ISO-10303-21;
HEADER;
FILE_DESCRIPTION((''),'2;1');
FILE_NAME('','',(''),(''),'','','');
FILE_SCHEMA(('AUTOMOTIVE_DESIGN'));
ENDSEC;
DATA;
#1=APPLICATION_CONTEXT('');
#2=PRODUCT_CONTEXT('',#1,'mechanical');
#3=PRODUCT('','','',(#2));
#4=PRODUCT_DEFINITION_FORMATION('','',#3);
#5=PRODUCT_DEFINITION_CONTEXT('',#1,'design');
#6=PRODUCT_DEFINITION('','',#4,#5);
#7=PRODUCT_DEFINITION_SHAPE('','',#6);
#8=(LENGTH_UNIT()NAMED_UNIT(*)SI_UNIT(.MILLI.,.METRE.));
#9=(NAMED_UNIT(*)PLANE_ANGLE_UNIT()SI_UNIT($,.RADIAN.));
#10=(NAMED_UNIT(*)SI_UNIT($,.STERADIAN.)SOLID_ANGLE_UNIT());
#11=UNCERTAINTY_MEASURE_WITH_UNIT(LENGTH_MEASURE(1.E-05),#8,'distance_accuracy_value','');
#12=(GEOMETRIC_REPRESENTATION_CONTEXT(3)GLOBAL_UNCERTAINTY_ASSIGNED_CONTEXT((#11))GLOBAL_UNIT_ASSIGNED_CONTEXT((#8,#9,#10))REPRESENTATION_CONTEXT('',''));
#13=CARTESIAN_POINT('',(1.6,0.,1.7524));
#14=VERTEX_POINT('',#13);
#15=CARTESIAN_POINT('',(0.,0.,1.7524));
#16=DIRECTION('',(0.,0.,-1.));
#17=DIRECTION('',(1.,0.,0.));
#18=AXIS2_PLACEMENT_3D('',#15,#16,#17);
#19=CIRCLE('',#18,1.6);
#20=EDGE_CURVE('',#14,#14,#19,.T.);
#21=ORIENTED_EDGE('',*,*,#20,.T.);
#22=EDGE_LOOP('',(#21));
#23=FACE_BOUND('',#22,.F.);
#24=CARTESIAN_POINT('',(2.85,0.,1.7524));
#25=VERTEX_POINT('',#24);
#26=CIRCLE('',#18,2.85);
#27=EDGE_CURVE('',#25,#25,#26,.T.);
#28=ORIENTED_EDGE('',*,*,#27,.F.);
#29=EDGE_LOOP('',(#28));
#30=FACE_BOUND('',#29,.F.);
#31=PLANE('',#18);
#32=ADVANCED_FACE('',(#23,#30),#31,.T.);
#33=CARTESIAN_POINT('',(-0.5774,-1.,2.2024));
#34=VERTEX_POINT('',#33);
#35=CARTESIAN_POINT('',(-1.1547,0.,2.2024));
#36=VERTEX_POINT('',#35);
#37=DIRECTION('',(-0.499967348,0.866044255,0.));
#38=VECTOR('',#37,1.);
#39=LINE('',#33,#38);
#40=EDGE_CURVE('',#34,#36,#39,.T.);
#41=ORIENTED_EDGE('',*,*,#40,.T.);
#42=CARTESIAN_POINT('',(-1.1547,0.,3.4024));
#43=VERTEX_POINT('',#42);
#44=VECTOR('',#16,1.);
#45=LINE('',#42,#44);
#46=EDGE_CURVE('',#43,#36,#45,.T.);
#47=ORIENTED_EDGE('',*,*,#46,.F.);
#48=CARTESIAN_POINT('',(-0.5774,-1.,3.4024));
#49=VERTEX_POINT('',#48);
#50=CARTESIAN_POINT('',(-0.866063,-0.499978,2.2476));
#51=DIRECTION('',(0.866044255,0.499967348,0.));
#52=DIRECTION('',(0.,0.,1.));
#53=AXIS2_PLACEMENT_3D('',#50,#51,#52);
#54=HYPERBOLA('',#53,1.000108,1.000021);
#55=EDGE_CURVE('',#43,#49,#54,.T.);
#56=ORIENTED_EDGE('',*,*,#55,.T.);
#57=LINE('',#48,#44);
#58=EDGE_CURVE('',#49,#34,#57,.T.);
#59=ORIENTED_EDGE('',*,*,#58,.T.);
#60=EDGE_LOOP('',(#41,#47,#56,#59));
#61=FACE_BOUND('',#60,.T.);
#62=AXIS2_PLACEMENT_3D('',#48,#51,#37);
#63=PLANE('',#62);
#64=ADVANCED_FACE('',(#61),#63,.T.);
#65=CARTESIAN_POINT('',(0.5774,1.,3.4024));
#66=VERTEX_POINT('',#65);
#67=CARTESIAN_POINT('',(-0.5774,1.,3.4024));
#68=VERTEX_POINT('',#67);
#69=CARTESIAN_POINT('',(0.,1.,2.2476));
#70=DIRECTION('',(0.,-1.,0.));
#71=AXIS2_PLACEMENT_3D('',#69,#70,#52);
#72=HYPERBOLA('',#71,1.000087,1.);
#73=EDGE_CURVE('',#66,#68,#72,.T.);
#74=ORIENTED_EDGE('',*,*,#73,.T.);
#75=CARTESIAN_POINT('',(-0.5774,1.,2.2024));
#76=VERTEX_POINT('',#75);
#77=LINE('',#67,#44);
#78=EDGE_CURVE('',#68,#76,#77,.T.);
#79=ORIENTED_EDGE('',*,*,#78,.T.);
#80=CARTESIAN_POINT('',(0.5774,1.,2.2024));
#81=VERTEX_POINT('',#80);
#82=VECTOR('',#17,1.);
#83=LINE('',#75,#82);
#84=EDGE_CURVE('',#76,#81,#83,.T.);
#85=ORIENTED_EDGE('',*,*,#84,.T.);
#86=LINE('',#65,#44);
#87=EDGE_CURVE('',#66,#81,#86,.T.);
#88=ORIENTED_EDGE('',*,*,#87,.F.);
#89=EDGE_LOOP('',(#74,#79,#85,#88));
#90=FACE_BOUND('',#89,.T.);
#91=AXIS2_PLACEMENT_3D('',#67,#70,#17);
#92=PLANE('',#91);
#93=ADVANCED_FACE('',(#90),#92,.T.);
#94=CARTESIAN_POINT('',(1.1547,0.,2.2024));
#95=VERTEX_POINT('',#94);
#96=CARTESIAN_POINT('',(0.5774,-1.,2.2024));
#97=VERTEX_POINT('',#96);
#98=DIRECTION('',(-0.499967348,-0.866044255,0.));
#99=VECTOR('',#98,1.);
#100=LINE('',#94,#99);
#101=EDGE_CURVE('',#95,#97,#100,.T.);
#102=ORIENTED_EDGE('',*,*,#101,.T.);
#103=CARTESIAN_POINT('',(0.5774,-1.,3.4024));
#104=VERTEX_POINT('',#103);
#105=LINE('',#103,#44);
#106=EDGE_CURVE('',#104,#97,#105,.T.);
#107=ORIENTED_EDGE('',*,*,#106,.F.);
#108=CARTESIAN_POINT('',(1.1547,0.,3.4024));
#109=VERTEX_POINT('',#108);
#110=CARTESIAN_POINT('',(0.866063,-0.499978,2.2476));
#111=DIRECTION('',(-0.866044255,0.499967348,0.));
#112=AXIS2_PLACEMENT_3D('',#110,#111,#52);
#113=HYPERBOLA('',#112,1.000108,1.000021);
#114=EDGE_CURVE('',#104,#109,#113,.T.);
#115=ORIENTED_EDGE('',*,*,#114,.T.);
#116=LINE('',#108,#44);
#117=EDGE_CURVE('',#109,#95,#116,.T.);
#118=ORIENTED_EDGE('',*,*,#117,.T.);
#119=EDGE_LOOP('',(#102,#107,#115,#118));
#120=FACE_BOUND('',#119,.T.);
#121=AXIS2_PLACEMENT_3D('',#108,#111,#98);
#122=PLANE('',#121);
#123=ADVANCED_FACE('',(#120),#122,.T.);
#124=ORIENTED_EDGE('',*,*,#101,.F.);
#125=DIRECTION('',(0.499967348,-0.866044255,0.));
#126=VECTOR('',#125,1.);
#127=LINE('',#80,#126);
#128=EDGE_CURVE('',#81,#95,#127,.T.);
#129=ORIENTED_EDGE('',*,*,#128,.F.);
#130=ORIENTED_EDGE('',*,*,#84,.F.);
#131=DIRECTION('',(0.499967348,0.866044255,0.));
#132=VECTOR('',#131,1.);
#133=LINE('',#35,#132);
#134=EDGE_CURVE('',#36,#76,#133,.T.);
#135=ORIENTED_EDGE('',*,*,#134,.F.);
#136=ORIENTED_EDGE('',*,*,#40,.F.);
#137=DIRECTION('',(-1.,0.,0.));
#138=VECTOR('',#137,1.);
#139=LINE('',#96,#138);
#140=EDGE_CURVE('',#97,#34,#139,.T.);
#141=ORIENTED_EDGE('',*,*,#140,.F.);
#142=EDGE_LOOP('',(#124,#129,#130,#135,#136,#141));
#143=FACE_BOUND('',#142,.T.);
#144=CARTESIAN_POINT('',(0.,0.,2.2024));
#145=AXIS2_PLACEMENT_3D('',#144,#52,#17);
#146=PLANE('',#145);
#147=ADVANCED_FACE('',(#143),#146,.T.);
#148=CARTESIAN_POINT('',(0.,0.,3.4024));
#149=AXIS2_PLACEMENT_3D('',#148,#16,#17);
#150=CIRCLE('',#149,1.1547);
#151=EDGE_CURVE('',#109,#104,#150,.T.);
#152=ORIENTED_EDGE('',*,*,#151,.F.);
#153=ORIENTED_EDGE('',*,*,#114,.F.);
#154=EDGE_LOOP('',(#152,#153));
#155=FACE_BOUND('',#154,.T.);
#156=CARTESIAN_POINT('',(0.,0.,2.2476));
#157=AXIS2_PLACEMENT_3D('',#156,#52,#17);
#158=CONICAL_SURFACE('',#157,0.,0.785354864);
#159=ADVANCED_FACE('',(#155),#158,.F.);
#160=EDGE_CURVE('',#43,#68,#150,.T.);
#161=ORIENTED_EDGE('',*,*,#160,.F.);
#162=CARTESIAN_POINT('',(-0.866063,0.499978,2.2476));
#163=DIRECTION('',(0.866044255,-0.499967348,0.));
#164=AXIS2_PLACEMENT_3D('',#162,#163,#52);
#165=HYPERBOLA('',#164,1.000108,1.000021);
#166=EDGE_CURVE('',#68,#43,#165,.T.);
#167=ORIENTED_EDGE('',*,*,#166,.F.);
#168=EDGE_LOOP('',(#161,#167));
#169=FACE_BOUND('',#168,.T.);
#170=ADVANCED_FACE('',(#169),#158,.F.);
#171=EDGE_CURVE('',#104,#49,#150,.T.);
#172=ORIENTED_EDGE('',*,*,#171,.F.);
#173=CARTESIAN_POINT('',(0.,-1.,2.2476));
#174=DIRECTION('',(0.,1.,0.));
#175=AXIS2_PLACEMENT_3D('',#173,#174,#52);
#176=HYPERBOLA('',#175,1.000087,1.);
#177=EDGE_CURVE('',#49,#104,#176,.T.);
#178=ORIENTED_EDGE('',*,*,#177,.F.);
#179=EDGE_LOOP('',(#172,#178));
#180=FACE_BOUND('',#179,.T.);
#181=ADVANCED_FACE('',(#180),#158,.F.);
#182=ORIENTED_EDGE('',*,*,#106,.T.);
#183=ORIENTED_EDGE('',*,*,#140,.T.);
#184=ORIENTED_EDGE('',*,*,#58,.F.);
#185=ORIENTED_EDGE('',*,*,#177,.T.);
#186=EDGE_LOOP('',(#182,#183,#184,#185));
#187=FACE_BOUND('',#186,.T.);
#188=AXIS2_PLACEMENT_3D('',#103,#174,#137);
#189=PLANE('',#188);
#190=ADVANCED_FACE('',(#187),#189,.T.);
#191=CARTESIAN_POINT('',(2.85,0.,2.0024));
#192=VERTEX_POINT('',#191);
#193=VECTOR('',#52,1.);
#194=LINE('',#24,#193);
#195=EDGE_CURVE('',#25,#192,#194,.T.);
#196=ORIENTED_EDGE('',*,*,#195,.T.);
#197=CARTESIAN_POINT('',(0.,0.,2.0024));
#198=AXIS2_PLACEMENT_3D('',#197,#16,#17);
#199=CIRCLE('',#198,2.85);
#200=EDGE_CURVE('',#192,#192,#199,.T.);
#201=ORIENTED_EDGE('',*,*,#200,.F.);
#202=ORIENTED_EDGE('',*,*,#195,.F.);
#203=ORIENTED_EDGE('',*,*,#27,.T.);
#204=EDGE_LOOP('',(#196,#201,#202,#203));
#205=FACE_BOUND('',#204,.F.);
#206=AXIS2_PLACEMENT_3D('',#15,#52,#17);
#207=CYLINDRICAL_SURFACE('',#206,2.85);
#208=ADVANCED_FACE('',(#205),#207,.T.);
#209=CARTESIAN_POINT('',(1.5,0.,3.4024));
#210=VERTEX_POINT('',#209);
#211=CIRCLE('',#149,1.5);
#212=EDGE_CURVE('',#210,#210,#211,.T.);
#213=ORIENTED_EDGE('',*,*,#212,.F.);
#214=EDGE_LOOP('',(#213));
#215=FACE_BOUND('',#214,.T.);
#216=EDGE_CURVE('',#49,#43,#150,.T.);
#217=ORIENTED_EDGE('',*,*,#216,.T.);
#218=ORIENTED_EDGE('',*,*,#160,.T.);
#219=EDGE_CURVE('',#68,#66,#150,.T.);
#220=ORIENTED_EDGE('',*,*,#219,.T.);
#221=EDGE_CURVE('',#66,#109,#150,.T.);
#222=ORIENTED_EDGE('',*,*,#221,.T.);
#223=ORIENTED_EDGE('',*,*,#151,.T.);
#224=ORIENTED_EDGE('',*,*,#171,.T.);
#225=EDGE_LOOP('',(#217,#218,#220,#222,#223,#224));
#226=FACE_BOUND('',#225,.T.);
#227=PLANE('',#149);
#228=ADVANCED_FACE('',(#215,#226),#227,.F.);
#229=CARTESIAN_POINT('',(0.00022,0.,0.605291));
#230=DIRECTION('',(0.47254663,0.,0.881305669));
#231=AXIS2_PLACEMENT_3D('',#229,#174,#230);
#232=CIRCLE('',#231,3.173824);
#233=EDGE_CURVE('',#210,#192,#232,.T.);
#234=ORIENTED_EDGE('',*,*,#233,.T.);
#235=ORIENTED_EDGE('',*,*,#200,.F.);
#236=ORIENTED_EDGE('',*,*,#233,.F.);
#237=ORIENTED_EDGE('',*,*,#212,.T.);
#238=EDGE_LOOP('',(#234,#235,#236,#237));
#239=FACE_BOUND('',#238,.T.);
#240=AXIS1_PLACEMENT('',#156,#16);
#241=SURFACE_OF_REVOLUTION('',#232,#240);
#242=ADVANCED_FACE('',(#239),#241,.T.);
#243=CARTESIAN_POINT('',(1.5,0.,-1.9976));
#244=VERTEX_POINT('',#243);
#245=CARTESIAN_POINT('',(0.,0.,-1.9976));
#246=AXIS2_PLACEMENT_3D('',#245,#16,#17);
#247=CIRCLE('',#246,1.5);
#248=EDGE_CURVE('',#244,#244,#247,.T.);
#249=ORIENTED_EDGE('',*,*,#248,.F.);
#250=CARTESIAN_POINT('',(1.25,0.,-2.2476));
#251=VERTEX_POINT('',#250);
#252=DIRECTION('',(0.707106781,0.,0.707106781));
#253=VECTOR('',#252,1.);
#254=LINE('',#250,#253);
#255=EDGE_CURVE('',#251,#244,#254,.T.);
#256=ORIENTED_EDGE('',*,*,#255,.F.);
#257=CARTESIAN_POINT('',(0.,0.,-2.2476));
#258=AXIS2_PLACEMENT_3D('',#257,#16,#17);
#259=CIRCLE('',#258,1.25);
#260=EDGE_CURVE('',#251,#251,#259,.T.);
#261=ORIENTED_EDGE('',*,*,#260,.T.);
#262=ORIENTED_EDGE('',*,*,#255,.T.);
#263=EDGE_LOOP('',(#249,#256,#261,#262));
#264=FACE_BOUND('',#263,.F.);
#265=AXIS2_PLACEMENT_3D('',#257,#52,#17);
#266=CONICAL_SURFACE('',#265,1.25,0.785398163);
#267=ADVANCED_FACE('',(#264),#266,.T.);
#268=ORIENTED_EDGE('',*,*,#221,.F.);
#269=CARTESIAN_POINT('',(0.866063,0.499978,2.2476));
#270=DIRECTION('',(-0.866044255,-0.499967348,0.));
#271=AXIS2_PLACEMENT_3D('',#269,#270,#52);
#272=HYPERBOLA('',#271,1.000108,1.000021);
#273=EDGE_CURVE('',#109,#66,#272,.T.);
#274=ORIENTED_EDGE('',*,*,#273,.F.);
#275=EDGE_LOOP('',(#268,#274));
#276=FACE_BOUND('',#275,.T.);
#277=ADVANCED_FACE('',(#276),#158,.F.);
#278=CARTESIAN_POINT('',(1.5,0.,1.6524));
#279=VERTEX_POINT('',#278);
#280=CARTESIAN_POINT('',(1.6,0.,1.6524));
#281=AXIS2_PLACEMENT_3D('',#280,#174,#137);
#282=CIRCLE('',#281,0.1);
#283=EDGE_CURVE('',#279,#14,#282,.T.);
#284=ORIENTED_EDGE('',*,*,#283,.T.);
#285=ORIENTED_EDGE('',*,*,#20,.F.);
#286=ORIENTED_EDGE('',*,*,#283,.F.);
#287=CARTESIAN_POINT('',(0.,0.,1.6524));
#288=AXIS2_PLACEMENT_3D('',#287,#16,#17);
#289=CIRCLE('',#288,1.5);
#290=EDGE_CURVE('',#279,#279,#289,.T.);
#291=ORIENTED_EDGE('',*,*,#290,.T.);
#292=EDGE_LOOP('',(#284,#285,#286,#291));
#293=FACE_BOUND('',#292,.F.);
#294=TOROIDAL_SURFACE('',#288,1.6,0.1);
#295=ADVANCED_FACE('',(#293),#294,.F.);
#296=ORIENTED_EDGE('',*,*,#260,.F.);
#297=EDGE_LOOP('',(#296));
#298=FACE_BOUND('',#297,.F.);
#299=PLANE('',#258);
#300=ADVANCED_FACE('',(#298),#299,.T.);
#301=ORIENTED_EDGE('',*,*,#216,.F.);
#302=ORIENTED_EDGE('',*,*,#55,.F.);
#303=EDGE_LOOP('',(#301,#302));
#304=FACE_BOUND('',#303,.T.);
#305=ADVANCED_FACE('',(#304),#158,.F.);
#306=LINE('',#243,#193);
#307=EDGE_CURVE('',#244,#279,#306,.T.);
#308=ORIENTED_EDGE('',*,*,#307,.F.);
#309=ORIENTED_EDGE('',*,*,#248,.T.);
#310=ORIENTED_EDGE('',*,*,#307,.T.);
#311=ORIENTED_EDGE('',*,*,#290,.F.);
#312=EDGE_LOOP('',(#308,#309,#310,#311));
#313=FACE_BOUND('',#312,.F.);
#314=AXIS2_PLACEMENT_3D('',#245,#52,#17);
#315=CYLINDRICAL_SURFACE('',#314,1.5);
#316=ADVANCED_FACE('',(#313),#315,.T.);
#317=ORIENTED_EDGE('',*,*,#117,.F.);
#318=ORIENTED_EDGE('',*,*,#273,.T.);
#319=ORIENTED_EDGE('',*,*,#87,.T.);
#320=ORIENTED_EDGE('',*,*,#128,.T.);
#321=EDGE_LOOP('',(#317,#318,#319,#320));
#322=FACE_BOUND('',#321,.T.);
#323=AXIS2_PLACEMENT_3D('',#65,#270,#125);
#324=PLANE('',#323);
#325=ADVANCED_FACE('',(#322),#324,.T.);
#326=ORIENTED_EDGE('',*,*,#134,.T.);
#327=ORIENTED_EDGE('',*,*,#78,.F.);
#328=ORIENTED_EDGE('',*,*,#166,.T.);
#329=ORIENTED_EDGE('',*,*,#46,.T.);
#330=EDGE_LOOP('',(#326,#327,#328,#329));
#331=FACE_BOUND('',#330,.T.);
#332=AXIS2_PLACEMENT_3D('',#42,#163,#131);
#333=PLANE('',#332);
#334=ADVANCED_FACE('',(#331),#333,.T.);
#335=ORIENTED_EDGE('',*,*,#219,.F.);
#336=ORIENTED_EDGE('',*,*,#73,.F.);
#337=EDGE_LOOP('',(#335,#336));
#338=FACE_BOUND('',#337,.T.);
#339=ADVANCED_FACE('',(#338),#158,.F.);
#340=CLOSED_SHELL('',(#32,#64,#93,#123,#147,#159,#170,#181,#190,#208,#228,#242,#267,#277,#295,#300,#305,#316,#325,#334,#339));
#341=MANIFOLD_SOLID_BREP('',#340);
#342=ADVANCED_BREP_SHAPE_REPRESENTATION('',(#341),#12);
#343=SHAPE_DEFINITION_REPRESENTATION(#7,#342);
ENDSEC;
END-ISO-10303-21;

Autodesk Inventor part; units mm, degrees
ref_plane "YZ Plane" through (0, 0, 0) normal (1, 0, 0) x (0, 1, 0)
ref_plane "XZ Plane" through (0, 0, 0) normal (0, 1, 0) x (-1, 0, 0)
ref_plane "XY Plane" through (0, 0, 0) normal (0, 0, 1) x (1, 0, 0)
sketch "Sketch1" plane through (0, 0, 0) normal (0, 1, 0) x (-1, 0, 0)
  line L0 (0, 2.2476) -> (0, -2.2476)
  line L1 (0, -2.2476) -> (-1.25, -2.2476)
  line L2 (-1.25, -2.2476) -> (-1.5, -1.9976)
  line L3 (-1.5, -1.9976) -> (-1.5, 1.6524)
  line L4 (-1.6, 1.7524) -> (-2.85, 1.7524)
  line L5 (-2.85, 1.7524) -> (-2.85, 2.0024)
  line L6 (0, 2.2476) -> (-1.1547, 3.4024)
  line L7 (-1.1547, 3.4024) -> (-1.5, 3.4024)
  arc A0 (-1.5, 3.4024) -> (-2.85, 2.0024) centre (0, 0.605) ccw
  line L8 (-1.1547, 3.4024) -> (-0.5774, 4.4024) construction
  line L9 (-0.5774, 4.4024) -> (0.5774, 4.4024) construction
  line L10 (0.5774, 4.4024) -> (1.1547, 3.4024) construction
  line L11 (1.1547, 3.4024) -> (0.5774, 2.4024) construction
  line L12 (0.5774, 2.4024) -> (-0.5774, 2.4024) construction
  line L13 (-0.5774, 2.4024) -> (-1.1547, 3.4024) construction
  arc A1 (-1.5, 1.6524) -> (-1.6, 1.7524) centre (-1.6, 1.6524) ccw
  point P0 (0, 0)
  point P1 (-1.5, 1.7524)
  point P2 (0, 0)
  point P3 (0, 3.4024)
  dimension "d0" = 3
  dimension "d1" = 4
  dimension "d2" = 0.25
  dimension "d3" = 135
  dimension "d4" = 5.7
  dimension "d5" = 3
  dimension "d6" = 1.65
  dimension "d7" = 2
  dimension "d8" = 0.25
  dimension "d15" = 3.2
revolve "Revolution1" add sketch "Sketch1" angle 360 about axis through (0, 0, 2.2476) along (0, 0, -1)
sketch "Sketch2" plane through (0, 0, 3.4024) normal (0, 0, 1) x (1, 0, 0)
  circle A0 centre (0, 0) radius 1.1547 projected
  circle A1 centre (0, 0) radius 1.5 projected
  line L0 (-1.1547, 0) -> (-0.5774, 1)
  line L1 (-0.5774, 1) -> (0.5774, 1)
  line L2 (0.5774, 1) -> (1.1547, 0)
  line L3 (1.1547, 0) -> (0.5774, -1)
  line L4 (0.5774, -1) -> (-0.5774, -1)
  line L5 (-0.5774, -1) -> (-1.1547, 0)
  point P0 (0, 0)
extrude "Extrusion1" cut sketch "Sketch2" against normal blind 1.2 contours L3 L4 L5 L0 L1 L2
thread "Thread1" size "M3x0.5" class "6g" standard "ANSI Metric M Profile" full length
properties part number "48-0340" material "Stainless Steel"
